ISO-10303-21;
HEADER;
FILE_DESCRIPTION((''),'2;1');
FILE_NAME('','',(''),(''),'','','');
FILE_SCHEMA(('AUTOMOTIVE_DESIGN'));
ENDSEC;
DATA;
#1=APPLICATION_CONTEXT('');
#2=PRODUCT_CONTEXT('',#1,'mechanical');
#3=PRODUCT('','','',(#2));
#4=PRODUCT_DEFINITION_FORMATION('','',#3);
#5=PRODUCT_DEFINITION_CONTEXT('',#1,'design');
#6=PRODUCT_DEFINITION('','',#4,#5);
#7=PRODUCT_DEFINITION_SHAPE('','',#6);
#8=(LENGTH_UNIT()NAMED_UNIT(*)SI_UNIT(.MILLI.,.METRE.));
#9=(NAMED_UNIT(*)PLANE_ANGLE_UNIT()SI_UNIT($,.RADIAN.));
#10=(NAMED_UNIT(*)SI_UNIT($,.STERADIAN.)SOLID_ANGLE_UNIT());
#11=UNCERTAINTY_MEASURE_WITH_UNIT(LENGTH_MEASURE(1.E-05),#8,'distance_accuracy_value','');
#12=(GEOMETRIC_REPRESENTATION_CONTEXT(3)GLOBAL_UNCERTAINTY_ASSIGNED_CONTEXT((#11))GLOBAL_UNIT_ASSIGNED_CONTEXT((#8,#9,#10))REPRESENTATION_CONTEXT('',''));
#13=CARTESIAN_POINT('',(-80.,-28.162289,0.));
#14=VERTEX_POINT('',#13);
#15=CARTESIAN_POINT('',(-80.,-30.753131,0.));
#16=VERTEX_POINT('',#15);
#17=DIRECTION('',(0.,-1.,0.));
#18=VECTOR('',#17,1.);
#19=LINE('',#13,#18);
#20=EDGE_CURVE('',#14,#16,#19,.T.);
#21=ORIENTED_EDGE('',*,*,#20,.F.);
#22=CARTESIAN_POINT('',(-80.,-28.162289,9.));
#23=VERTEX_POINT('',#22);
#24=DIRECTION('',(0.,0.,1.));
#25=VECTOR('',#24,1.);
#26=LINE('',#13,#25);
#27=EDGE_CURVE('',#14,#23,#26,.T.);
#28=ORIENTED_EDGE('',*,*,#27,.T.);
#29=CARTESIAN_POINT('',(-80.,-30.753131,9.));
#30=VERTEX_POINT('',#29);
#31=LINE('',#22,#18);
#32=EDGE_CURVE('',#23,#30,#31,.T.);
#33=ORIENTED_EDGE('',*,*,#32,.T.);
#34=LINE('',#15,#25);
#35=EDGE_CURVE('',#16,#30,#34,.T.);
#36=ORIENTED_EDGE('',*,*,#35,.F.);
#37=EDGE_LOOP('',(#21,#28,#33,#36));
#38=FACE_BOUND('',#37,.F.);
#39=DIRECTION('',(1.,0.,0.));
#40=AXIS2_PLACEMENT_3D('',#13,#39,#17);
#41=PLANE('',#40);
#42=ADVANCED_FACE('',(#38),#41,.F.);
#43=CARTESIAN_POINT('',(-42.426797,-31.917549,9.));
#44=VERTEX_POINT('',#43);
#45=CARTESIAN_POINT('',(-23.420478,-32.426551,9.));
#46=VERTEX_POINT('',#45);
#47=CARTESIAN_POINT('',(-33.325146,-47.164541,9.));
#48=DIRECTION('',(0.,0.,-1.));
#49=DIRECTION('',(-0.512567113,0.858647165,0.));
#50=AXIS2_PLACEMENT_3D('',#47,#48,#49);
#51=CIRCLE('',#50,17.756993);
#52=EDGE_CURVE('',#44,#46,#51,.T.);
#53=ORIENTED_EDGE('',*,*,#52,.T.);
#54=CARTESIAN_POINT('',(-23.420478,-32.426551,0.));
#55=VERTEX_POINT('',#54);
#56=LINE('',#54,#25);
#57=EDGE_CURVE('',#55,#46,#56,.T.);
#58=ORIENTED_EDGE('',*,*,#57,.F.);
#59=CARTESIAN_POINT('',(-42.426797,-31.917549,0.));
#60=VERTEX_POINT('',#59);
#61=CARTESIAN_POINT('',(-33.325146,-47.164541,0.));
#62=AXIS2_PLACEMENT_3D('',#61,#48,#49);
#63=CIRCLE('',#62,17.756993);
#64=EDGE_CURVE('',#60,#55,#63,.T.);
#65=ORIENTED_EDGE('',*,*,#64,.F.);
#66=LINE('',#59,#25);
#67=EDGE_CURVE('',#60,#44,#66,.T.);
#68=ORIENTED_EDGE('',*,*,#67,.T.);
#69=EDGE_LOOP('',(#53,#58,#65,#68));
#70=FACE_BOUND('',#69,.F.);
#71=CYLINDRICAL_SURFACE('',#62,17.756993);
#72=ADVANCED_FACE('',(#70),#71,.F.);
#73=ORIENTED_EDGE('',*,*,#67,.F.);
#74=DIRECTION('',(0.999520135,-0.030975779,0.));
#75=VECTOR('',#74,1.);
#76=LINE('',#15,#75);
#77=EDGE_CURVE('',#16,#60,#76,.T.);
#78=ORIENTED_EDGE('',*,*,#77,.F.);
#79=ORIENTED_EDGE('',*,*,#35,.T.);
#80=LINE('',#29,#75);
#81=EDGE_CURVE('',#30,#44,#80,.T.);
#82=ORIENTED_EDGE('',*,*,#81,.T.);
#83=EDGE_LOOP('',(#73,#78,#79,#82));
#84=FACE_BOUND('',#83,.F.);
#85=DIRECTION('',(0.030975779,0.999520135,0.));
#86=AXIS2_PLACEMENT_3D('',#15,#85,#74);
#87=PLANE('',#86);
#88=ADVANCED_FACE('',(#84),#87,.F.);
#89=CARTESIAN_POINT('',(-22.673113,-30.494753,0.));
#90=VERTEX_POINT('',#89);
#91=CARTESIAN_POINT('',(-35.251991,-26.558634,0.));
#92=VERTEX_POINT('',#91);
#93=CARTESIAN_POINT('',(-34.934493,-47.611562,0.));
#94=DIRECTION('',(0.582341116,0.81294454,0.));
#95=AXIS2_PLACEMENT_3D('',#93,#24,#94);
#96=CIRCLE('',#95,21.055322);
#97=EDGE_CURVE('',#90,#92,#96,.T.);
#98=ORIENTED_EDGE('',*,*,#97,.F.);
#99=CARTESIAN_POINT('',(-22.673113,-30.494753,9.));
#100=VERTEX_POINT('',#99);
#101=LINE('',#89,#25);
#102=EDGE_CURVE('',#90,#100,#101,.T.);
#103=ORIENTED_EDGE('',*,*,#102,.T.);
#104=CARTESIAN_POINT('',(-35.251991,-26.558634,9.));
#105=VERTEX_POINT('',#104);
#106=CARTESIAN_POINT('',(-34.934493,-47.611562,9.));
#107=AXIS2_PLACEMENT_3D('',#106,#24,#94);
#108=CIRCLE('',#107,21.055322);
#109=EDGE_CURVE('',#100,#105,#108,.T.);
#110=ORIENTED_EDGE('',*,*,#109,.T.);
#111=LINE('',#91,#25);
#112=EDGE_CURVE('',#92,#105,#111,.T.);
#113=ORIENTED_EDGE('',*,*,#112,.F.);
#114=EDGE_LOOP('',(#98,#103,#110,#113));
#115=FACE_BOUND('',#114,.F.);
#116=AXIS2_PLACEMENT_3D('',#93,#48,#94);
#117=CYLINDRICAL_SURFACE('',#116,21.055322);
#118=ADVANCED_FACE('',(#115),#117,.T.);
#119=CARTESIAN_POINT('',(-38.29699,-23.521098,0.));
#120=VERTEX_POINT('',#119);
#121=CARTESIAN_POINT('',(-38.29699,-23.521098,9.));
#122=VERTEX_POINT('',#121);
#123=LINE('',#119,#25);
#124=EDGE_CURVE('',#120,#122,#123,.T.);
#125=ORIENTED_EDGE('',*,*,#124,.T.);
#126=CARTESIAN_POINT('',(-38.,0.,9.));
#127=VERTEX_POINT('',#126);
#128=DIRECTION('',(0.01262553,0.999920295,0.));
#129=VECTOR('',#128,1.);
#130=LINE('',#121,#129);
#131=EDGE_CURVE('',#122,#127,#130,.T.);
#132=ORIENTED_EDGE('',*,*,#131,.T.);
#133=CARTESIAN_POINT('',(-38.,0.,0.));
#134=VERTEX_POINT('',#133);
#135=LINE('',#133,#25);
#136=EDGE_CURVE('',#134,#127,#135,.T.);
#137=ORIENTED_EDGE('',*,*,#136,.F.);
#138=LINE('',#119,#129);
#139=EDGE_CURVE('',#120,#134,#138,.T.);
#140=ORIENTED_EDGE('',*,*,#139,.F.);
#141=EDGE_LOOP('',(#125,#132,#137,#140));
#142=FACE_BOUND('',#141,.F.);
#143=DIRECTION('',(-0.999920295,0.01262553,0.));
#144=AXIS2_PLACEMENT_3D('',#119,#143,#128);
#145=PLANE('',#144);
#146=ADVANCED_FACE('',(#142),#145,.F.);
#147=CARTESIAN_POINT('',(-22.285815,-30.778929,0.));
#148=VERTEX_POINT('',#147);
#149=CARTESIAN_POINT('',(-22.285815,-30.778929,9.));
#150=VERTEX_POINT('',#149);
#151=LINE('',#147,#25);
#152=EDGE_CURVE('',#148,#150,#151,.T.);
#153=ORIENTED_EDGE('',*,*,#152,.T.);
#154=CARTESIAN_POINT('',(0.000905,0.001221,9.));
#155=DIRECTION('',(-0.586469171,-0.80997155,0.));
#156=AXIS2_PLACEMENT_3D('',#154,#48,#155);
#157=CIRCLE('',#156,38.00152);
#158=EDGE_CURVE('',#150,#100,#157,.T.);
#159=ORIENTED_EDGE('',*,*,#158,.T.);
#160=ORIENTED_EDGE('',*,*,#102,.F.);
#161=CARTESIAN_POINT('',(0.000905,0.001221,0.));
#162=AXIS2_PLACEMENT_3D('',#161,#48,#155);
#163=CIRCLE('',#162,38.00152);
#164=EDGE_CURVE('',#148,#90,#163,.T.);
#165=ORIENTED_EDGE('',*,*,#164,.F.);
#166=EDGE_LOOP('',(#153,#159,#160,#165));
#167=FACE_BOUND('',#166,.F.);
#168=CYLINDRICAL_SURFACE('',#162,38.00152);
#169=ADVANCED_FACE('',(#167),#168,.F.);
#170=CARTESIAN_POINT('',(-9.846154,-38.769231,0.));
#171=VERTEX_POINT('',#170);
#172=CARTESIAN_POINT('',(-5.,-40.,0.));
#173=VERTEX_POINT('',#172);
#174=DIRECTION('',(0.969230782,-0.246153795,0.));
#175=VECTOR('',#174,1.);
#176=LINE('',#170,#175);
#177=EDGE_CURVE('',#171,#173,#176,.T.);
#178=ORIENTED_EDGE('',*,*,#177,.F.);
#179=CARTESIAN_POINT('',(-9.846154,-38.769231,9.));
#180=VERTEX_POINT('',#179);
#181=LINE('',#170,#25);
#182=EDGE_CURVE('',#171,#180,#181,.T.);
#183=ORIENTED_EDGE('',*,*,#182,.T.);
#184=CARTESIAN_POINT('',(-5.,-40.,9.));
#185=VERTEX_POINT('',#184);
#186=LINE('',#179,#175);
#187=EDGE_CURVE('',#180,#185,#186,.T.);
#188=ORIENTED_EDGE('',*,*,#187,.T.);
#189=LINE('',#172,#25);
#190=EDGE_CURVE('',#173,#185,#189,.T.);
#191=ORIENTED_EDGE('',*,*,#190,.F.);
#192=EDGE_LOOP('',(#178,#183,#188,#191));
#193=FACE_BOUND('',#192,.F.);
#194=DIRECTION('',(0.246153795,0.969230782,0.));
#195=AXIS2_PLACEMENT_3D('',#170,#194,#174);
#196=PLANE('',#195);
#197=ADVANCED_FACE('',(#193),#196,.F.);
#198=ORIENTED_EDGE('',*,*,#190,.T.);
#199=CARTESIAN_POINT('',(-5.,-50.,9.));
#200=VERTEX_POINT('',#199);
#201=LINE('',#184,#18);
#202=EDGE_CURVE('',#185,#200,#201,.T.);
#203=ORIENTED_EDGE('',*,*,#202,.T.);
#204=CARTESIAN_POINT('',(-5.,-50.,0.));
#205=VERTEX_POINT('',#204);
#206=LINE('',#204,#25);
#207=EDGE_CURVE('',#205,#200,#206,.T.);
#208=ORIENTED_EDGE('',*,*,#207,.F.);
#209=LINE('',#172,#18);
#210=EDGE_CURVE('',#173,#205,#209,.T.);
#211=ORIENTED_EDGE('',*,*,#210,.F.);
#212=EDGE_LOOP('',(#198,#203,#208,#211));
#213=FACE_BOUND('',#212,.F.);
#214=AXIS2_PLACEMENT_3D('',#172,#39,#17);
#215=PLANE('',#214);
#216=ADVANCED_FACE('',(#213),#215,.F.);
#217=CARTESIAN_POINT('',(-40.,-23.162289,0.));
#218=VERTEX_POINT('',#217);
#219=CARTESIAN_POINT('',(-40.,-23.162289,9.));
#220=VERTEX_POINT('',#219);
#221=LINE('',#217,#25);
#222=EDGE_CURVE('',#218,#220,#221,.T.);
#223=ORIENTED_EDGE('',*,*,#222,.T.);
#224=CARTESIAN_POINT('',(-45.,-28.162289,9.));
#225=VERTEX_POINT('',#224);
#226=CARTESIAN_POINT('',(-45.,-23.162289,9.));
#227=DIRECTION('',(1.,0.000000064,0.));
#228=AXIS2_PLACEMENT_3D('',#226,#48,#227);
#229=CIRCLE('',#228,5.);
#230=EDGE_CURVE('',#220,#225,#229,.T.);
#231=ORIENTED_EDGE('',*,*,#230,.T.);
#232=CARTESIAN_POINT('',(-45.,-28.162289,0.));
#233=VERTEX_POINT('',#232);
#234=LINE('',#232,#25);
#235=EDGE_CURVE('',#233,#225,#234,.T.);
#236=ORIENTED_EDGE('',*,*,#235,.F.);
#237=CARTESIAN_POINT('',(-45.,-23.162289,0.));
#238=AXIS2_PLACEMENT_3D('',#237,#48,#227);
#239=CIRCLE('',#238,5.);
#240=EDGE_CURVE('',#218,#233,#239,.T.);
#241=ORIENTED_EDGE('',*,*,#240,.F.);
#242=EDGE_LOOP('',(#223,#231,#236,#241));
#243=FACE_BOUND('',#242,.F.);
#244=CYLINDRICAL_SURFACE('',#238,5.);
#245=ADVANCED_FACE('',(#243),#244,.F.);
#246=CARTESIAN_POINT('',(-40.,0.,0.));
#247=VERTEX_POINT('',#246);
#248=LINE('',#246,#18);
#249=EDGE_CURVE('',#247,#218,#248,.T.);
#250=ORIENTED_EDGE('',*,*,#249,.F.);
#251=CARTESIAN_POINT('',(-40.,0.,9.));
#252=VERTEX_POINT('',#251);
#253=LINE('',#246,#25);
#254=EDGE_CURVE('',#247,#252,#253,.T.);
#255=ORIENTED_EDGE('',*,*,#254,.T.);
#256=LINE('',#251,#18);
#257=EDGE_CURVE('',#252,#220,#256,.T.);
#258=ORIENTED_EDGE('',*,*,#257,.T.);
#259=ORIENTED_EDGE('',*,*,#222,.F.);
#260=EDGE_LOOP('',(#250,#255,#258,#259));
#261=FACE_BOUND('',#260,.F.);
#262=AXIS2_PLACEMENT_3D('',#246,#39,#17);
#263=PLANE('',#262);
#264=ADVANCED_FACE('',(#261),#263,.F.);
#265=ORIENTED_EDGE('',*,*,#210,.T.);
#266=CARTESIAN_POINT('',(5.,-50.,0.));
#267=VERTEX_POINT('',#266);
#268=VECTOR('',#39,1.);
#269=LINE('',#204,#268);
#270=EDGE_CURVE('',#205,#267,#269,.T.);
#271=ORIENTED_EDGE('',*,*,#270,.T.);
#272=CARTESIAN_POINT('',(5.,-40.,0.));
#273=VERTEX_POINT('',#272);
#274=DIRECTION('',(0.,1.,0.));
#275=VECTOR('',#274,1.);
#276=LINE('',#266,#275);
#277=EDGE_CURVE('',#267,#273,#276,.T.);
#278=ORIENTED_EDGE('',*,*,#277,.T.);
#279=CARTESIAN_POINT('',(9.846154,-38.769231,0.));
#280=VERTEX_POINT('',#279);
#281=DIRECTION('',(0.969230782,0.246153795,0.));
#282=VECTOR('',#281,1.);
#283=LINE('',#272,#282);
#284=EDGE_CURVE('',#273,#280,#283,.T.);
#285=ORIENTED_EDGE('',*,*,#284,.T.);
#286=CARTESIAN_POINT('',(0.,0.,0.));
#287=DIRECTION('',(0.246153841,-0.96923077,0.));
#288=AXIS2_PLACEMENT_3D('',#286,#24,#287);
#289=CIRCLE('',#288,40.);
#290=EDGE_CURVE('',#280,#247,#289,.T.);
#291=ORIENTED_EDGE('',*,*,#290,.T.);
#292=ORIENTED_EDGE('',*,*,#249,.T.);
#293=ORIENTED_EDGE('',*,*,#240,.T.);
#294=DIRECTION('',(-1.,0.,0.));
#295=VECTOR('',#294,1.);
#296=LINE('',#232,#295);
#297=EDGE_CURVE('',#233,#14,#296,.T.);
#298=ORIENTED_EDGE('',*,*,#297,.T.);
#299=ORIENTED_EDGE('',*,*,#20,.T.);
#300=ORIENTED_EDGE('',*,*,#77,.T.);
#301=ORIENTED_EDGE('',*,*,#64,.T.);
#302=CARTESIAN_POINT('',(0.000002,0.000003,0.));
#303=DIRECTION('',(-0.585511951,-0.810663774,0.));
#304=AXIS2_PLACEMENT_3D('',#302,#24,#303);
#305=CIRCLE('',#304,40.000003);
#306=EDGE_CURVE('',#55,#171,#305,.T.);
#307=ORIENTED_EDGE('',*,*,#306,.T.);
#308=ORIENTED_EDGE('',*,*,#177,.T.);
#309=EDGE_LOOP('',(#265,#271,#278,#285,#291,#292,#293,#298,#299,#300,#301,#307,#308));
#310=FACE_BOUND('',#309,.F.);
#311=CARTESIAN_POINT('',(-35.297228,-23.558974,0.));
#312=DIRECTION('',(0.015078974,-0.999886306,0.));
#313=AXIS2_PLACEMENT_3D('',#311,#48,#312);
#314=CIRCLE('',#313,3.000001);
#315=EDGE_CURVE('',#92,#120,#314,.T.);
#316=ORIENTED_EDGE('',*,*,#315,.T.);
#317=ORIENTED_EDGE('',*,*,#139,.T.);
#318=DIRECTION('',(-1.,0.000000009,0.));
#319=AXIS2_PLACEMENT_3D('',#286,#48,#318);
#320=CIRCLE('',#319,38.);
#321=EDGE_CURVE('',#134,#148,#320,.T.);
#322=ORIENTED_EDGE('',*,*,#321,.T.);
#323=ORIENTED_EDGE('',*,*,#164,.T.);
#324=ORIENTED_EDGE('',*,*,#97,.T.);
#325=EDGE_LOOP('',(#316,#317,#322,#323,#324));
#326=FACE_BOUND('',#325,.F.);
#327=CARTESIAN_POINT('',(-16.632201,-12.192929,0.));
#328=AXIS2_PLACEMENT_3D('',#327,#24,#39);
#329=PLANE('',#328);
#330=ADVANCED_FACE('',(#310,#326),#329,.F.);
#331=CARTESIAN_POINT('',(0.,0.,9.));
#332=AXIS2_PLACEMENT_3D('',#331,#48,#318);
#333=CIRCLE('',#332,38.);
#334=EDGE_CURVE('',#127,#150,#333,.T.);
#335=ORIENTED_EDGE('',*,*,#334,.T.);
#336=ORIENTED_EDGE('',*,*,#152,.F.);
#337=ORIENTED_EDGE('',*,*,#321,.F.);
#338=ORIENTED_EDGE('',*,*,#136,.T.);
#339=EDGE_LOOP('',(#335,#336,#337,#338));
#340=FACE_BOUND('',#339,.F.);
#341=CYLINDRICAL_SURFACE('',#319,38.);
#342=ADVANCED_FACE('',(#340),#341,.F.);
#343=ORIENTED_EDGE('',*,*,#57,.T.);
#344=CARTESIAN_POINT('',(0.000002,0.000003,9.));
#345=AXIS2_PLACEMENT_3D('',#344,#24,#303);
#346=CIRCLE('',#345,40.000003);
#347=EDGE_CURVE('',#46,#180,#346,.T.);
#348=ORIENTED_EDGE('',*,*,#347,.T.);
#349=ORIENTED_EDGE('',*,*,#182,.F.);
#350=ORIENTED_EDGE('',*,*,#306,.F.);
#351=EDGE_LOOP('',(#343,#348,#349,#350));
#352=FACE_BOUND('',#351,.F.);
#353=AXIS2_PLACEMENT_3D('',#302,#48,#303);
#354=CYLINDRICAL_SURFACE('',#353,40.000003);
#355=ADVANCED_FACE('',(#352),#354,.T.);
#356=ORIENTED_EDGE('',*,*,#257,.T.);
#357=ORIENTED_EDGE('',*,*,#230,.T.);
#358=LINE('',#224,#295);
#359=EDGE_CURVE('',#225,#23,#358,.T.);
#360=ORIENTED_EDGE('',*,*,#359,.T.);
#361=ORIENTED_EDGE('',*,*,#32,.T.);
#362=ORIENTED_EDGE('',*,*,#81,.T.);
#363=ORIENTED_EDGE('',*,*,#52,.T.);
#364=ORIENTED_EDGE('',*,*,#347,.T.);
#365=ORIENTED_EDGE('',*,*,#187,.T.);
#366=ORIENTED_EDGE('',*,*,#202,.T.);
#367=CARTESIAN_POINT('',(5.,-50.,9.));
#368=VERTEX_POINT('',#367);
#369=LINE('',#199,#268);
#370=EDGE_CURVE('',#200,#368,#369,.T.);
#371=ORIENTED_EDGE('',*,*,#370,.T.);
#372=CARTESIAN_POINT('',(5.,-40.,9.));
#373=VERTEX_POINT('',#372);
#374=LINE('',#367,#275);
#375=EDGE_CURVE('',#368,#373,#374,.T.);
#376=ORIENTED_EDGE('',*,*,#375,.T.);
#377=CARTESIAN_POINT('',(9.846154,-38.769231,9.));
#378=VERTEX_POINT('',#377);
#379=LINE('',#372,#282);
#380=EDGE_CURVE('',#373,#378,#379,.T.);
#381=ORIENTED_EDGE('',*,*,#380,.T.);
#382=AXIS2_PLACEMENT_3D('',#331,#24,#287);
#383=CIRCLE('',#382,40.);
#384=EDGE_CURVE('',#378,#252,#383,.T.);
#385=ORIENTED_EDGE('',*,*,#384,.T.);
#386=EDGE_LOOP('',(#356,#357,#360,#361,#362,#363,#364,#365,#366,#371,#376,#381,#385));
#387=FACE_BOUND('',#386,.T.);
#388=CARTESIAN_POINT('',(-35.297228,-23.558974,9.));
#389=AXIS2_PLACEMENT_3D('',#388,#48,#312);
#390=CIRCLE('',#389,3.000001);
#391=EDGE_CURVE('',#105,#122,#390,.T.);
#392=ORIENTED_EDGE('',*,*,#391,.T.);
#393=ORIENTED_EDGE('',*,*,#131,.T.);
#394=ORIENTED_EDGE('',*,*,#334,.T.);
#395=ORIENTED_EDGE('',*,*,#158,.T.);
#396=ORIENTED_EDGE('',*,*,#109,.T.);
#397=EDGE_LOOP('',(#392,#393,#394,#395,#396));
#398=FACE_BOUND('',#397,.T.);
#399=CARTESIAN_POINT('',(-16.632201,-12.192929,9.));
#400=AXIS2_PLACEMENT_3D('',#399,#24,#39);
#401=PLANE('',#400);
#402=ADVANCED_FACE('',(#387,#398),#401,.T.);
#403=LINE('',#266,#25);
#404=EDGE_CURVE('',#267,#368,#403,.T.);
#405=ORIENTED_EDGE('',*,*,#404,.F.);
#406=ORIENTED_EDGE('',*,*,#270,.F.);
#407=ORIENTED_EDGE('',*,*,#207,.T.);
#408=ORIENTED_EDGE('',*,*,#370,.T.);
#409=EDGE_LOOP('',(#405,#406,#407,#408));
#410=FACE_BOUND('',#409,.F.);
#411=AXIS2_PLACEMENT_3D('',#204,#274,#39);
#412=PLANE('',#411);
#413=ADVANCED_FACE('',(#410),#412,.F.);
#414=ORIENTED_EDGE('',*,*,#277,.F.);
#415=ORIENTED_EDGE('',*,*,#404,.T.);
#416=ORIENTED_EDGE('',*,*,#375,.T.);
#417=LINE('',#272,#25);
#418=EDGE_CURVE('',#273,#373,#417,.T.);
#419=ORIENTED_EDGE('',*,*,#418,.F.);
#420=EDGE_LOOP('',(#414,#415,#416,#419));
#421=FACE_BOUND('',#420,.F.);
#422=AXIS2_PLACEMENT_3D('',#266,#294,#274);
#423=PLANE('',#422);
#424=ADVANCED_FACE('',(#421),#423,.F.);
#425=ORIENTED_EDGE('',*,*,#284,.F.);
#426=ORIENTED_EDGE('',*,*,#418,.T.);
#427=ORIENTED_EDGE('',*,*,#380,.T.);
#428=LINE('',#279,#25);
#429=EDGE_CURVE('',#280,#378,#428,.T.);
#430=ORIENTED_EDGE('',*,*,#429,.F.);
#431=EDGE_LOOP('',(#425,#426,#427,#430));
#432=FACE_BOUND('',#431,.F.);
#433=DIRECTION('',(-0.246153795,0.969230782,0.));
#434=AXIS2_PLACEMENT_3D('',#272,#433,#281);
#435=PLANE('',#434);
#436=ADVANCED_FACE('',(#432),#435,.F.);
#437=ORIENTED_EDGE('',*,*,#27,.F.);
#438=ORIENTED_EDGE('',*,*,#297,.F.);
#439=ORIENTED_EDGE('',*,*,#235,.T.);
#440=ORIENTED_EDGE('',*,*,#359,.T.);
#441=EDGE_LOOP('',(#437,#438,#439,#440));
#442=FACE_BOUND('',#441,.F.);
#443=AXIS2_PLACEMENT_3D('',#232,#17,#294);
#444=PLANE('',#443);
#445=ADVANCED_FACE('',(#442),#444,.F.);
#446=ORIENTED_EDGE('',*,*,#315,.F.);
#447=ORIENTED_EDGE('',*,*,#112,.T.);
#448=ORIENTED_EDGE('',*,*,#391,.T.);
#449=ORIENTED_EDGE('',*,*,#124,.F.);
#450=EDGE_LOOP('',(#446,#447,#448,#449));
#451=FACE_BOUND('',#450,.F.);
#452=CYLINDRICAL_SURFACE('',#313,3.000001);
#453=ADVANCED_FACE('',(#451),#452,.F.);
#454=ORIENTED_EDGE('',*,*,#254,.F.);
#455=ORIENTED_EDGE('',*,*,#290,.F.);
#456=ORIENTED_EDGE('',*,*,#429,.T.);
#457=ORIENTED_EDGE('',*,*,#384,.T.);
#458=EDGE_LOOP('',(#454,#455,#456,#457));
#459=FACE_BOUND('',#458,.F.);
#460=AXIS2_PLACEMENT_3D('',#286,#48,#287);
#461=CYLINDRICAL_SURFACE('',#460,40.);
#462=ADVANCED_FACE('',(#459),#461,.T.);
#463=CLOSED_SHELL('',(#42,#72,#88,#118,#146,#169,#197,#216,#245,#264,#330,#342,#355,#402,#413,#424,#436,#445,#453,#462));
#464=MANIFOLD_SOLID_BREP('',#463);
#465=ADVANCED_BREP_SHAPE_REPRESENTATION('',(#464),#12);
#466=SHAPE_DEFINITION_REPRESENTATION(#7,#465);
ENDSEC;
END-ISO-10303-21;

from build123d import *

# Parameters (mm, degrees)
F1_DEPTH = 9


with BuildPart() as f1:
    # F0 (on Top) → F1 (new body)
    with BuildSketch(Plane.XY):
        with BuildLine():
            Line((-9.846154, -38.769231), (-5, -40))
            Line((-5, -40), (-5, -50))
            Line((-5, -50), (5, -50))
            Line((5, -50), (5, -40))
            Line((5, -40), (9.846154, -38.769231))
            ThreePointArc((9.846154, -38.769231), (24.557625, 31.574089), (-40, 0))
            Line((-40, 0), (-40, -23.162289))
            ThreePointArc((-40, -23.162289), (-41.464466, -26.697823), (-45, -28.162289))
            Line((-45, -28.162289), (-80, -28.162289))
            Line((-80, -28.162289), (-80, -30.753131))
            Line((-80, -30.753131), (-42.426797, -31.917549))
            ThreePointArc((-42.426797, -31.917549), (-32.849773, -29.413912), (-23.420478, -32.426551))
            ThreePointArc((-23.420478, -32.426551), (-16.932944, -36.239142), (-9.846154, -38.769231))
        make_face()
        with BuildLine():
            Line((-38.29699, -23.521098), (-38, 0))
            ThreePointArc((-38, 0), (33.844209, 17.279164), (-22.285815, -30.778929))
            ThreePointArc((-22.285815, -30.778929), (-22.479913, -30.637453), (-22.673113, -30.494753))
            ThreePointArc((-22.673113, -30.494753), (-28.646621, -27.517054), (-35.251991, -26.558634))
            ThreePointArc((-35.251991, -26.558634), (-37.415945, -25.682896), (-38.29699, -23.521098))
        make_face(mode=Mode.SUBTRACT)
    extrude(amount=F1_DEPTH)


solid = f1.part
